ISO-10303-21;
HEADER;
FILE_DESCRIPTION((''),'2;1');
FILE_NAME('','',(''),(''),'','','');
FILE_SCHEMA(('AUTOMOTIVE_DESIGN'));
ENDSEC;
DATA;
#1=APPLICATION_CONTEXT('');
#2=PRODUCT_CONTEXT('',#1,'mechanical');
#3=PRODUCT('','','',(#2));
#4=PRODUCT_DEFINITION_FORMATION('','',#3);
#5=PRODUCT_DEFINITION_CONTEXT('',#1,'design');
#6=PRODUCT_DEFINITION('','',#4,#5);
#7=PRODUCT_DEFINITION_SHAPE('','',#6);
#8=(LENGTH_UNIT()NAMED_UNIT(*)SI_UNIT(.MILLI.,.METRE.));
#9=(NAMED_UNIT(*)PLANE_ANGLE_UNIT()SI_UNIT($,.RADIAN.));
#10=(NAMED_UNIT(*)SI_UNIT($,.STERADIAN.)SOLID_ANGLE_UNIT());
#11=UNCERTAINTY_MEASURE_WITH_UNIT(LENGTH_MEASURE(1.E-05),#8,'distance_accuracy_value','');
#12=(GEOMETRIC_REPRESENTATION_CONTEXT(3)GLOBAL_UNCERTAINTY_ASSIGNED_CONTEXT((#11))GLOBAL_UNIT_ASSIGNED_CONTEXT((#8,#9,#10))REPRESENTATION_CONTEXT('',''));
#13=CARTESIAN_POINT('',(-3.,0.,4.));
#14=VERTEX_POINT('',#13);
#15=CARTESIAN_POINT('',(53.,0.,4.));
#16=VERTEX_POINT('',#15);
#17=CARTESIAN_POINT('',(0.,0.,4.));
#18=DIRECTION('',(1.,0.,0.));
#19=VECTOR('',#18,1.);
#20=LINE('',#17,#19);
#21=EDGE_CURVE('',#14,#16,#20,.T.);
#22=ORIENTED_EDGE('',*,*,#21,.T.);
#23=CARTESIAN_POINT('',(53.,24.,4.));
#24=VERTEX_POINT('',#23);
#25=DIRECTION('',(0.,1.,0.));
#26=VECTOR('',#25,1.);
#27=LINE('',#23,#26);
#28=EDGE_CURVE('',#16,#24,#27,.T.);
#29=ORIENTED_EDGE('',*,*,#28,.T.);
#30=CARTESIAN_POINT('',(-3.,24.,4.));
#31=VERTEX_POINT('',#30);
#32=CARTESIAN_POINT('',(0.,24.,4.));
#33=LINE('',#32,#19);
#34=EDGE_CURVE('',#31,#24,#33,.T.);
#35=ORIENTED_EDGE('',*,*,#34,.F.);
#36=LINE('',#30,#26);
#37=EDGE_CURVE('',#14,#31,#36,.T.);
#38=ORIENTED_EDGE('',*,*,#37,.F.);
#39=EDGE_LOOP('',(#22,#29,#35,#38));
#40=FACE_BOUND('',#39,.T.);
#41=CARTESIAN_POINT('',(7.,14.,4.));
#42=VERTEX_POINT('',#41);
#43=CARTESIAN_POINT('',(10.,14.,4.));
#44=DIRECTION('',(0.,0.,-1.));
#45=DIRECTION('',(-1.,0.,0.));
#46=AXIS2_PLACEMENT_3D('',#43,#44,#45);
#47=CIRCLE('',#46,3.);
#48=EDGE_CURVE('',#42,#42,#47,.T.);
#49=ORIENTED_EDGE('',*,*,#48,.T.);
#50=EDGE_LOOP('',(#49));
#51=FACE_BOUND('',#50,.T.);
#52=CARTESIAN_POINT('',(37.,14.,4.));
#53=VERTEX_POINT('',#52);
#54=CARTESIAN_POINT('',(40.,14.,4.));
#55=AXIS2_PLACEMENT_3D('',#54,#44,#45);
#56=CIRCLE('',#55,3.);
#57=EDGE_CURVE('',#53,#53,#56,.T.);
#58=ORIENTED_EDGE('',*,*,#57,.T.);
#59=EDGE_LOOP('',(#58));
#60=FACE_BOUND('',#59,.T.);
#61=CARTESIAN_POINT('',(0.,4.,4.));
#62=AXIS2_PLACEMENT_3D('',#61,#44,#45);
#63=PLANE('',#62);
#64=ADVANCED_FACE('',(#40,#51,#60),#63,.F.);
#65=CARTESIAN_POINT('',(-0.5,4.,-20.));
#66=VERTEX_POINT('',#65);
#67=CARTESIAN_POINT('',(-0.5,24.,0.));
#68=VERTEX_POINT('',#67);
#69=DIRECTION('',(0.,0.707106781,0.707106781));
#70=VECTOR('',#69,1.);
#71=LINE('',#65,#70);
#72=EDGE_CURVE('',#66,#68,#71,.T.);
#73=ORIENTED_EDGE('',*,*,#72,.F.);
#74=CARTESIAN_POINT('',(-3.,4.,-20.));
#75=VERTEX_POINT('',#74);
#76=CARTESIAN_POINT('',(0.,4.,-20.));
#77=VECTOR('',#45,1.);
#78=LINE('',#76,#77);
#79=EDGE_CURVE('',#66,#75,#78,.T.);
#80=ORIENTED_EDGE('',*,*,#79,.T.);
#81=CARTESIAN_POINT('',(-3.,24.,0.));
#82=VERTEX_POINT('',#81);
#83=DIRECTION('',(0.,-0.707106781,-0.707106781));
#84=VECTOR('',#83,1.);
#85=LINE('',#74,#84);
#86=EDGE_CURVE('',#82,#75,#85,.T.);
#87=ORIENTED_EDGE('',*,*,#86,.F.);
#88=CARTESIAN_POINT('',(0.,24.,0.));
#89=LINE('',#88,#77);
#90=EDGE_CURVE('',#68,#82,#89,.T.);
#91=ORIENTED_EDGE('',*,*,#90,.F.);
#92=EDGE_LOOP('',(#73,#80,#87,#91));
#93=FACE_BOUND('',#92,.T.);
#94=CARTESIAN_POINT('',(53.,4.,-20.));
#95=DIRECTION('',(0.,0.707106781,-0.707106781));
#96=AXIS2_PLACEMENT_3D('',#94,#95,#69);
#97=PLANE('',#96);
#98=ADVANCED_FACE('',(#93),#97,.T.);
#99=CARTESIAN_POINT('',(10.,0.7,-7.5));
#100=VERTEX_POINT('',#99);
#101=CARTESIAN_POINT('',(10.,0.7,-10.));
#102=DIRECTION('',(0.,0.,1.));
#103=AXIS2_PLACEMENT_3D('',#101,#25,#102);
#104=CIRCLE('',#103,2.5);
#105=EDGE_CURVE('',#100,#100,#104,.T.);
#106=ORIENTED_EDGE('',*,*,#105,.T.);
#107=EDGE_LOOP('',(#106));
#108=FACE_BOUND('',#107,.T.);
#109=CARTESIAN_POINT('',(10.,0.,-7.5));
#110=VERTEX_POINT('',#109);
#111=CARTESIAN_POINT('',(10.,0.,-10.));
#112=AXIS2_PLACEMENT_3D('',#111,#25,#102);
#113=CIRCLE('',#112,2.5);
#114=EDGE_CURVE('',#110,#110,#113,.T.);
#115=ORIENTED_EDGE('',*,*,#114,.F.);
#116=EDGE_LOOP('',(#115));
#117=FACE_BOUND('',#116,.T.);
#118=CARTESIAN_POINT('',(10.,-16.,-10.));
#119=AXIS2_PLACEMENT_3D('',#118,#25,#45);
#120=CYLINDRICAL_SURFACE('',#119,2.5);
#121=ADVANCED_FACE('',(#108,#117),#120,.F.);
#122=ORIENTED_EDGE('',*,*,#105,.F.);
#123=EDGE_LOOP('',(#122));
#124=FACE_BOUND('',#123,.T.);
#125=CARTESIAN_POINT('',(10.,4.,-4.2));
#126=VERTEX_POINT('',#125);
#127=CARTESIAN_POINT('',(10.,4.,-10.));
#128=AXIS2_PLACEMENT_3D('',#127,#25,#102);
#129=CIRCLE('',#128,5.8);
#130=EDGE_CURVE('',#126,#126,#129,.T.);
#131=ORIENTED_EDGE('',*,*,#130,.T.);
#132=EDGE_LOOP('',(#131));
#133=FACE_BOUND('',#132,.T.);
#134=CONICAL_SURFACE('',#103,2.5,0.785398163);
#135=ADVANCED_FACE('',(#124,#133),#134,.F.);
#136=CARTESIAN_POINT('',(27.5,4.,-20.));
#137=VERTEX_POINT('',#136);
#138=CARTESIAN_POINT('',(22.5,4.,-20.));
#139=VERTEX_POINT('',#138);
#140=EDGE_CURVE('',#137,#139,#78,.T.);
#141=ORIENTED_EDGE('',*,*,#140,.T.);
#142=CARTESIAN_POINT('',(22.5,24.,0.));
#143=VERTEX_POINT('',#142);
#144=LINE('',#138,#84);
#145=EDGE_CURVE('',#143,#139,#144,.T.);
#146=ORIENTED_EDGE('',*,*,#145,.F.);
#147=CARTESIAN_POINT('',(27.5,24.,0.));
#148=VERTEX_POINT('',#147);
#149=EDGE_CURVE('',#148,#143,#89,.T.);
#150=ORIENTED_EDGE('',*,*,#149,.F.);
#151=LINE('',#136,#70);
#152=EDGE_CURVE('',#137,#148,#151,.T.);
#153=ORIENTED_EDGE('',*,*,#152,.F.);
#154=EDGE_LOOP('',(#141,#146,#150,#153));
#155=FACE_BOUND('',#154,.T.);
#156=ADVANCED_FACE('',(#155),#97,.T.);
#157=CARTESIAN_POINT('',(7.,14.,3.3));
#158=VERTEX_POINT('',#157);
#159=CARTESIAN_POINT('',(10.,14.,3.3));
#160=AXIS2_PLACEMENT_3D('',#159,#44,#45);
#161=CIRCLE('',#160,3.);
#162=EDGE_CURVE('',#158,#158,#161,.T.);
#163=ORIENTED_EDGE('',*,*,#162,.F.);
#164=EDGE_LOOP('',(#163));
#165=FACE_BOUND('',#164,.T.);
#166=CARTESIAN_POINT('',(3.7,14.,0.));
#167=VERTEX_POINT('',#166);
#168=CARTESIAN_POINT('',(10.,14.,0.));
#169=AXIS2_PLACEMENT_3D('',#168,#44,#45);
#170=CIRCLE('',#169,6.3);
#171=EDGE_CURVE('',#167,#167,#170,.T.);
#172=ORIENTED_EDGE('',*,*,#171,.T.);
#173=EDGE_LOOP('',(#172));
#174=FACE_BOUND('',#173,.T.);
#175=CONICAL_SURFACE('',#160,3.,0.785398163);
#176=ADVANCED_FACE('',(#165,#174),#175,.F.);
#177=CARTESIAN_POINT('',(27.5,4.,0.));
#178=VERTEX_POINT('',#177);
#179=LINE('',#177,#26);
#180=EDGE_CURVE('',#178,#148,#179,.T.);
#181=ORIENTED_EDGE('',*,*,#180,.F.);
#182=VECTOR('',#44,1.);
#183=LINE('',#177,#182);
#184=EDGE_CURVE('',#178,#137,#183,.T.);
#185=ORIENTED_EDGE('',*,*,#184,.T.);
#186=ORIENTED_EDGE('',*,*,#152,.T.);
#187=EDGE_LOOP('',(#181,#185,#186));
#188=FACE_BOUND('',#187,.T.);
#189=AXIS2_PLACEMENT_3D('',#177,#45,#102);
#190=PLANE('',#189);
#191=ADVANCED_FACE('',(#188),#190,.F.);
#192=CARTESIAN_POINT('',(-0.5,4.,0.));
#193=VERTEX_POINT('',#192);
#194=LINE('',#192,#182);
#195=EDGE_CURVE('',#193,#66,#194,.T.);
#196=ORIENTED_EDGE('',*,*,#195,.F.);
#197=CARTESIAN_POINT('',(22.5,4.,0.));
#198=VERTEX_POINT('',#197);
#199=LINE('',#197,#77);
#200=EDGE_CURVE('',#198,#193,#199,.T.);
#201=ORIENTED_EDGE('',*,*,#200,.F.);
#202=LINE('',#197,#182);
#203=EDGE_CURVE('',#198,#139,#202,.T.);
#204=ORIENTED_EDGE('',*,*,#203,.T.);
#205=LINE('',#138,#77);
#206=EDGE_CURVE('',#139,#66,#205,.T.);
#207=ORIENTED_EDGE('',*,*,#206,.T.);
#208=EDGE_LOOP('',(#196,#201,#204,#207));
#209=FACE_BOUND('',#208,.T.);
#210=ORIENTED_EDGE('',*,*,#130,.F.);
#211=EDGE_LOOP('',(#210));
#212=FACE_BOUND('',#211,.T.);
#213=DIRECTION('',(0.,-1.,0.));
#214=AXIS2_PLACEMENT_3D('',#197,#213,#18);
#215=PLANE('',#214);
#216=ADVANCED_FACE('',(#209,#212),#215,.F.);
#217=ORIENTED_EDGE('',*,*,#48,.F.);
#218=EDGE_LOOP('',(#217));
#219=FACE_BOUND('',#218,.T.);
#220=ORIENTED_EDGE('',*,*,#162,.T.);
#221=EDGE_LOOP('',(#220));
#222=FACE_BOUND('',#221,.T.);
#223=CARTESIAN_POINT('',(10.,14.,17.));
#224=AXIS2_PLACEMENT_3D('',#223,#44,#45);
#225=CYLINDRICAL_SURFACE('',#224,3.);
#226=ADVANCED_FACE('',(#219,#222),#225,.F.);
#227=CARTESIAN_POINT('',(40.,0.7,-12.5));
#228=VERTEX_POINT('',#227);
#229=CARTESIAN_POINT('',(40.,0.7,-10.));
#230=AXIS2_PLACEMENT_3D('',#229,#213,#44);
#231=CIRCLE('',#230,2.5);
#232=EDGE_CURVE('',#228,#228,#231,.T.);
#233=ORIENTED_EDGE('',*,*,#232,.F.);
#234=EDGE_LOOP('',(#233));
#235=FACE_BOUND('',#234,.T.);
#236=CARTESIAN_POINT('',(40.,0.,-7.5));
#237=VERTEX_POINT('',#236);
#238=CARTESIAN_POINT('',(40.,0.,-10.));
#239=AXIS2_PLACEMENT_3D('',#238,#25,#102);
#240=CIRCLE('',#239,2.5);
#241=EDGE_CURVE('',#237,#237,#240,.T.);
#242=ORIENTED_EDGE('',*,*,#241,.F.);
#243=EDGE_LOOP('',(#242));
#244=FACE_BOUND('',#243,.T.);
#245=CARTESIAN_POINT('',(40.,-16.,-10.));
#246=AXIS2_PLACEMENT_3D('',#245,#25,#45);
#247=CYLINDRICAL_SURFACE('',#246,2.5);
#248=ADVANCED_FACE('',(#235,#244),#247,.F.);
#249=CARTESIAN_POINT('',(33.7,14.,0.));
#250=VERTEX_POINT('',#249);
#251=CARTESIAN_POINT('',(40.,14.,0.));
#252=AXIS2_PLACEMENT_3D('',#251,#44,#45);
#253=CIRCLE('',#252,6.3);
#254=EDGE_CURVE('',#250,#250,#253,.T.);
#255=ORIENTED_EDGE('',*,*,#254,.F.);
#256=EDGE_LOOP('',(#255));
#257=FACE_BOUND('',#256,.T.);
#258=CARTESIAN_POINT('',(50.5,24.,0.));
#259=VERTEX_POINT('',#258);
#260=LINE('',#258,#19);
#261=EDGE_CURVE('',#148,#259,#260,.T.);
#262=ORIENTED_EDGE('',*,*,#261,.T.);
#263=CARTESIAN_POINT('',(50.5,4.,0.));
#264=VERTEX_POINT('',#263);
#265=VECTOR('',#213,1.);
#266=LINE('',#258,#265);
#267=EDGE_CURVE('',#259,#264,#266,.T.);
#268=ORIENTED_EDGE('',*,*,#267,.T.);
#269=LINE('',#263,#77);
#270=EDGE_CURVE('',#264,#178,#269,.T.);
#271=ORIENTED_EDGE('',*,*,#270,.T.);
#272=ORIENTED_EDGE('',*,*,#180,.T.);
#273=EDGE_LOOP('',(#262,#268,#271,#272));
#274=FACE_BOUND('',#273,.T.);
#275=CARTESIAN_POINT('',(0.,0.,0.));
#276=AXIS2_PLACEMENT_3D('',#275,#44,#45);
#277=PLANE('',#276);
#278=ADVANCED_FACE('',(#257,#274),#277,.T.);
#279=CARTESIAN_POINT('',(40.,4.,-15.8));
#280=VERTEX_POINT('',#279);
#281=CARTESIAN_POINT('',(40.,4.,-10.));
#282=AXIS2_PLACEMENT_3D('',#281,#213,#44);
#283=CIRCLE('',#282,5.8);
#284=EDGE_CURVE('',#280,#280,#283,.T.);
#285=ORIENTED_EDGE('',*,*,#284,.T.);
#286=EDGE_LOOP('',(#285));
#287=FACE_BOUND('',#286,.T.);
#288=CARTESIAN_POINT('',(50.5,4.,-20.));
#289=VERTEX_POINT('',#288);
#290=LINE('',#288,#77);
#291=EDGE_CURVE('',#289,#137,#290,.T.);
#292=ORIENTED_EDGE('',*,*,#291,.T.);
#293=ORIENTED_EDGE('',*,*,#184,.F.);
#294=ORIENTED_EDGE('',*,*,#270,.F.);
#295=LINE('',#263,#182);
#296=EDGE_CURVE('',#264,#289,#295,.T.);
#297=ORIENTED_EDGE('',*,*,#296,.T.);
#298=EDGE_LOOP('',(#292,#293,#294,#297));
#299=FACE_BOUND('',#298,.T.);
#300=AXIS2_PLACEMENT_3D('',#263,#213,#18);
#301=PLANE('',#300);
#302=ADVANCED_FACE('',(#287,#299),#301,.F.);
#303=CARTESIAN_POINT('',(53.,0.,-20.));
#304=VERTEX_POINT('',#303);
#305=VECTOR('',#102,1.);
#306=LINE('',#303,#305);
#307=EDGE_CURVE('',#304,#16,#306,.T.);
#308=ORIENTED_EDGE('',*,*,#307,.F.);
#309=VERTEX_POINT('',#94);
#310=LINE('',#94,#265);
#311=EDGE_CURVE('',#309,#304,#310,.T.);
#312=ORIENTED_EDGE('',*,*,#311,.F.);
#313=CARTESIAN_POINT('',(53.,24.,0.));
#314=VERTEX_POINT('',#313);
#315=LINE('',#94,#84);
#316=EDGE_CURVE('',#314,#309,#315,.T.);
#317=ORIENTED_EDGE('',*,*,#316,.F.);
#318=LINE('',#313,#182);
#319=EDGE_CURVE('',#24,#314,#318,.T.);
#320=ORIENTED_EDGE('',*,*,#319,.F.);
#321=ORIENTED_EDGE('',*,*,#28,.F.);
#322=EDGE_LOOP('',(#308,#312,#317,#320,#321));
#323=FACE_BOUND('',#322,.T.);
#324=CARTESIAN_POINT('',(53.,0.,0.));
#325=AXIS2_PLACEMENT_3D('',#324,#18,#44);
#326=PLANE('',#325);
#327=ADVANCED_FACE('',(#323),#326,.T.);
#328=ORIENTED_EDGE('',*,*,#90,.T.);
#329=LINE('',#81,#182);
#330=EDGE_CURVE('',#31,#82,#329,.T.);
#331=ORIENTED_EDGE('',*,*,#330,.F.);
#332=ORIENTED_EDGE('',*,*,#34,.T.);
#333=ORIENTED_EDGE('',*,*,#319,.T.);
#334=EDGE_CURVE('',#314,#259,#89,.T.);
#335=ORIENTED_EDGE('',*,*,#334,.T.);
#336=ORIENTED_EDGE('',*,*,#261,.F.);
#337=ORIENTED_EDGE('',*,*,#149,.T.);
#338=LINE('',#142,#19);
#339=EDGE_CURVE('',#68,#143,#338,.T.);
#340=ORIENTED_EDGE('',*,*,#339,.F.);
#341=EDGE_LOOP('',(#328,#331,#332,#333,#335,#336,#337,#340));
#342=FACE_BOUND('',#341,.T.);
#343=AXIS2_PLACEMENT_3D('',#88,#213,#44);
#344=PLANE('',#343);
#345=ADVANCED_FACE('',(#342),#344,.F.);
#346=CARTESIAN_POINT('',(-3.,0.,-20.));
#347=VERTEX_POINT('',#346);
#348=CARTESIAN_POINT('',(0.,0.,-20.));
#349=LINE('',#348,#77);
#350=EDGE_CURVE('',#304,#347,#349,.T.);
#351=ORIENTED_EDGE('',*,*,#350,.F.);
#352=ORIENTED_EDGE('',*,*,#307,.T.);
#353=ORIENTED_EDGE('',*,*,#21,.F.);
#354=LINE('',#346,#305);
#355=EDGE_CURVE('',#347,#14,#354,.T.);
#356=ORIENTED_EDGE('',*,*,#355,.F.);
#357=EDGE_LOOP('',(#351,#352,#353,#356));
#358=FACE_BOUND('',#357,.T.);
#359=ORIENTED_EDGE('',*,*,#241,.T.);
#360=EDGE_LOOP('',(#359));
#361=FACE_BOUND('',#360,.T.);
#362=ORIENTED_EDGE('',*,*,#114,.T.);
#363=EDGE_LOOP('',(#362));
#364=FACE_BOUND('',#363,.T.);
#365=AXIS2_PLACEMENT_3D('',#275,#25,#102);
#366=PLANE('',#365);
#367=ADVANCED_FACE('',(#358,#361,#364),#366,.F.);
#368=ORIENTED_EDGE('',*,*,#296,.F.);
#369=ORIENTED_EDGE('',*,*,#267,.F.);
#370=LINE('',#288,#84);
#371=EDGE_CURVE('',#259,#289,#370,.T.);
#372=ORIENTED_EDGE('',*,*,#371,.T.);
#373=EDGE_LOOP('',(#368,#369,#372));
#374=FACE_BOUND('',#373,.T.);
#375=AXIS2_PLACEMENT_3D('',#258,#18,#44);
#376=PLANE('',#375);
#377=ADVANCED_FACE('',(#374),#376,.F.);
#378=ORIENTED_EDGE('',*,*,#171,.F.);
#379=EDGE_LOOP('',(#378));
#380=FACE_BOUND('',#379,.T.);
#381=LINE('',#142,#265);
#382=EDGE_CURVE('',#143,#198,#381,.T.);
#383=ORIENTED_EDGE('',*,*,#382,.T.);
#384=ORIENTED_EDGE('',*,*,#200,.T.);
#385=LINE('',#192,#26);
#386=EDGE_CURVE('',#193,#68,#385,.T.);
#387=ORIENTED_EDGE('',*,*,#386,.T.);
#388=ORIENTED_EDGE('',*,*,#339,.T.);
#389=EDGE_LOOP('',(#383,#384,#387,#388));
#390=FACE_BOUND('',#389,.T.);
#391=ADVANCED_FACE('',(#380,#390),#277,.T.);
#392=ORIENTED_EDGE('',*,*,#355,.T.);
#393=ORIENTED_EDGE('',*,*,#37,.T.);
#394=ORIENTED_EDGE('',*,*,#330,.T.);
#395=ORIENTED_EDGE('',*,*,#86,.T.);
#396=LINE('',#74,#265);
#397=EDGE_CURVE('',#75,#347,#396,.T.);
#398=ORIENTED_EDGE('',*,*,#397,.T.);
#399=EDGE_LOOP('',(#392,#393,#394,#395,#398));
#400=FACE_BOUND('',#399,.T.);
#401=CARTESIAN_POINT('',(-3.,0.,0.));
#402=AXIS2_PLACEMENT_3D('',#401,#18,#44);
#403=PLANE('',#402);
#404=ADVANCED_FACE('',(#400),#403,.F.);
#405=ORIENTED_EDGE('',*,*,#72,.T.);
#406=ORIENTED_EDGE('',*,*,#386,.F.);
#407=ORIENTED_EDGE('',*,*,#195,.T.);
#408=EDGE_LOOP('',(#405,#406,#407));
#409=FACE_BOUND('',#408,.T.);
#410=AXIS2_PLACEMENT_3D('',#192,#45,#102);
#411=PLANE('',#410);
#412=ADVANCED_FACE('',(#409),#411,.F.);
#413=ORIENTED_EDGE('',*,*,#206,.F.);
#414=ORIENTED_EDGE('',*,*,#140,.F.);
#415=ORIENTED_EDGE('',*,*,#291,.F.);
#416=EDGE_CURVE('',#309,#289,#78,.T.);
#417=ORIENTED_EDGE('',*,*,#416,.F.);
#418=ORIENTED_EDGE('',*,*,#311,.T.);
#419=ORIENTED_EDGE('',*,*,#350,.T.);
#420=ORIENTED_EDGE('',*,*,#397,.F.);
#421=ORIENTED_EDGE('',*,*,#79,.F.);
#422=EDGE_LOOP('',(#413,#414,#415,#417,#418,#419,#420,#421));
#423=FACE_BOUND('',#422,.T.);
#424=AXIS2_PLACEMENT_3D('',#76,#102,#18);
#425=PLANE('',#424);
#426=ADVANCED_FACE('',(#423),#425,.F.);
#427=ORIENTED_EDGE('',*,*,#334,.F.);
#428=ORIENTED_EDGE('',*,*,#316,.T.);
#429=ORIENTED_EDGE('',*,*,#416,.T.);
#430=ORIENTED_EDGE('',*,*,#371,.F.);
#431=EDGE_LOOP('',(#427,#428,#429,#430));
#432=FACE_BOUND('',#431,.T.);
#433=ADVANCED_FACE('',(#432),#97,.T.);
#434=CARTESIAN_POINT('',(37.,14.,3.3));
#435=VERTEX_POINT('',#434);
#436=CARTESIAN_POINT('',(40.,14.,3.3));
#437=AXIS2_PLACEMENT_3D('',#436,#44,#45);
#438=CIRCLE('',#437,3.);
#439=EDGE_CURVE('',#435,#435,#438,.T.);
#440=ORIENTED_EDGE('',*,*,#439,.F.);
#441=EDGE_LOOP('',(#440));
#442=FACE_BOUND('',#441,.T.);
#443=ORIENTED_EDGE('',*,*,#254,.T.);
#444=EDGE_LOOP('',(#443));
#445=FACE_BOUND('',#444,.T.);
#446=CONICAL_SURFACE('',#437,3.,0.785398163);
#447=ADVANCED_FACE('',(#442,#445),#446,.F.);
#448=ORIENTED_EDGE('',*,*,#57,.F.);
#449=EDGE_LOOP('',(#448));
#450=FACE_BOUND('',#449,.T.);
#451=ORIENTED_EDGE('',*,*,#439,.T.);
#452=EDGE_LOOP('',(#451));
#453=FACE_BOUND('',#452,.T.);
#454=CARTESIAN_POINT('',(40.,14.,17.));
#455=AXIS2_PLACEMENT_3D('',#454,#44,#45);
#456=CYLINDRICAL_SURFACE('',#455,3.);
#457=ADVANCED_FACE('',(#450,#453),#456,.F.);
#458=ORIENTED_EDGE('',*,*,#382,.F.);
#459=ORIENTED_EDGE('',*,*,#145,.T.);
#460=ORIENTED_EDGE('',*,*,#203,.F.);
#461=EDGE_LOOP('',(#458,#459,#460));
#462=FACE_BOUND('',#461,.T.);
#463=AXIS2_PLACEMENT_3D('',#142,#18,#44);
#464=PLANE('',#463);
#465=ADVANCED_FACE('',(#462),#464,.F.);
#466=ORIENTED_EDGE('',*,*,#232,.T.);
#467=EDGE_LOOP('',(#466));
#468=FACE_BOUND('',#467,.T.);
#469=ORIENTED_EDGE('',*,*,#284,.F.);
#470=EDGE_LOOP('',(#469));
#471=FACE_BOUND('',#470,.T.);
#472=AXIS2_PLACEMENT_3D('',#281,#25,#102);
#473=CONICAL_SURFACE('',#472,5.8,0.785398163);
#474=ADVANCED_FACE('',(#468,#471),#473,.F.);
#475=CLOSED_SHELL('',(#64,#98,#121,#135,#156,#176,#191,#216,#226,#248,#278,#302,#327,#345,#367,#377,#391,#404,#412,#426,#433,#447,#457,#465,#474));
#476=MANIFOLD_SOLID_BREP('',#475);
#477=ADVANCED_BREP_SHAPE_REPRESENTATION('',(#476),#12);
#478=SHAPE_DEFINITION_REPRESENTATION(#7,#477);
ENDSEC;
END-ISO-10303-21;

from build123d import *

# Parameters (mm, degrees)
CROQUIS1_R                   = 2.5
SALIENTE_EXTRUIR1_DEPTH      = 4
CROQUIS2_W                   = 50
CROQUIS2_H                   = 4
SALIENTE_EXTRUIR2_DEPTH      = 20
SALIENTE_EXTRUIR3_DEPTH      = 3
SALIENTE_EXTRUIR3_DEPTH_BACK = 53
CROQUIS4_W                   = 23
CROQUIS4_H                   = 20
CORTAR_EXTRUIR1_DEPTH        = 20
CROQUIS5_R                   = 3
CORTAR_EXTRUIR2_DEPTH        = 17
CROQUIS6_R                   = 2.5
CORTAR_EXTRUIR3_DEPTH        = 20


with BuildPart() as part:
    # Croquis1 → Saliente-Extruir1 (new body)
    with BuildSketch(Plane(origin=(0, 0, 0), x_dir=(1, 0, 0), z_dir=(0, 1, 0))):
        Polygon((0, 0), (0, 20), (50, 20), (50, 0), (50, -4), (0, -4), align=None)
        with Locations(Location((10, 10, 0), (0, 0, 270))):
            Circle(CROQUIS1_R, mode=Mode.SUBTRACT)
        with Locations(Location((40, 10, 0), (0, 0, 270))):
            Circle(CROQUIS1_R, mode=Mode.SUBTRACT)
    extrude(amount=SALIENTE_EXTRUIR1_DEPTH)

    # Croquis2 → Saliente-Extruir2 (add)
    with BuildSketch(Plane(origin=(0, 4, 0), x_dir=(1, 0, 0), z_dir=(0, 1, 0))):
        with Locations((25, -2)):
            Rectangle(CROQUIS2_W, CROQUIS2_H)
    extrude(amount=SALIENTE_EXTRUIR2_DEPTH)

    # Croquis3 → Saliente-Extruir3 (add, two sides: drawn at the far end of the back side and taken through both)
    with BuildSketch(Plane.ZY.offset(-SALIENTE_EXTRUIR3_DEPTH_BACK)):
        Polygon((-20, 4), (-20, 0), (4, 0), (4, 24), (0, 24), align=None)
    extrude(amount=SALIENTE_EXTRUIR3_DEPTH + SALIENTE_EXTRUIR3_DEPTH_BACK)

    # Croquis4 → Cortar-Extruir1 (cut)
    with BuildSketch(Plane(origin=(0, 0, -20), x_dir=(-1, 0, 0), z_dir=(0, 0, -1))):
        with Locations((-39, 14)):
            Rectangle(CROQUIS4_W, CROQUIS4_H)
        with Locations((-11, 14)):
            Rectangle(CROQUIS4_W, CROQUIS4_H)
    extrude(amount=-CORTAR_EXTRUIR1_DEPTH, mode=Mode.SUBTRACT)

    # Croquis5 → Cortar-Extruir2 (cut)
    with BuildSketch(Plane(origin=(0, 0, 0), x_dir=(-1, 0, 0), z_dir=(0, 0, -1))):
        with Locations((-40, 14)):
            Circle(CROQUIS5_R)
        with Locations((-10, 14)):
            Circle(CROQUIS5_R)
    extrude(amount=-CORTAR_EXTRUIR2_DEPTH, mode=Mode.SUBTRACT)

    # Croquis6 → Cortar-Extruir3 (cut)
    with BuildSketch(Plane(origin=(0, 4, 0), x_dir=(1, 0, 0), z_dir=(0, 1, 0))):
        with Locations(Location((10, 10, 0), (0, 0, 180))):
            Circle(CROQUIS6_R)
        with Locations(Location((40, 10, 0), (0, 0, 180))):
            Circle(CROQUIS6_R)
    extrude(amount=-CORTAR_EXTRUIR3_DEPTH, mode=Mode.SUBTRACT)

    # Croquis7 → Cortar-Revolución1 (revolve, cut)
    with BuildSketch(Plane.XY.offset(-10), mode=Mode.PRIVATE) as cortar_revoluci_n1_sk:
        Polygon((40, 0.7), (37.5, 0.7), (34.2, 4), (40, 4), align=None)
    revolve(cortar_revoluci_n1_sk.sketch.rotate(Axis((40, 0.7, -10), (0, 1, 0)), 270), axis=Axis((40, 0.7, -10), (0, 1, 0)), mode=Mode.SUBTRACT)

    # Croquis8 → Cortar-Revolución2 (revolve, cut)
    with BuildSketch(Plane.XY.offset(-10), mode=Mode.PRIVATE) as cortar_revoluci_n2_sk:
        Polygon((10, 4), (10, 0.7), (12.5, 0.7), (15.8, 4), align=None)
    revolve(cortar_revoluci_n2_sk.sketch.rotate(Axis((10, 4, -10), (0, -1, 0)), 90), axis=Axis((10, 4, -10), (0, -1, 0)), mode=Mode.SUBTRACT)

    # Croquis9 → Cortar-Revolución3 (revolve, cut)
    with BuildSketch(Plane(origin=(0, 14, 0), x_dir=(1, 0, 0), z_dir=(0, 1, 0)), mode=Mode.PRIVATE) as cortar_revoluci_n3_sk:
        Polygon((40, 0), (40, -3.3), (43, -3.3), (46.3, 0), align=None)
    revolve(cortar_revoluci_n3_sk.sketch.rotate(Axis((40, 14, 0), (0, 0, 1)), 180), axis=Axis((40, 14, 0), (0, 0, 1)), mode=Mode.SUBTRACT)

    # Croquis10 → Cortar-Revolución4 (revolve, cut)
    with BuildSketch(Plane(origin=(0, 14, 0), x_dir=(1, 0, 0), z_dir=(0, 1, 0)), mode=Mode.PRIVATE) as cortar_revoluci_n4_sk:
        Polygon((10, 0), (10, -3.3), (13, -3.3), (16.3, 0), align=None)
    revolve(cortar_revoluci_n4_sk.sketch.rotate(Axis((10, 14, 0), (0, 0, 1)), 180), axis=Axis((10, 14, 0), (0, 0, 1)), mode=Mode.SUBTRACT)


solid = part.part
